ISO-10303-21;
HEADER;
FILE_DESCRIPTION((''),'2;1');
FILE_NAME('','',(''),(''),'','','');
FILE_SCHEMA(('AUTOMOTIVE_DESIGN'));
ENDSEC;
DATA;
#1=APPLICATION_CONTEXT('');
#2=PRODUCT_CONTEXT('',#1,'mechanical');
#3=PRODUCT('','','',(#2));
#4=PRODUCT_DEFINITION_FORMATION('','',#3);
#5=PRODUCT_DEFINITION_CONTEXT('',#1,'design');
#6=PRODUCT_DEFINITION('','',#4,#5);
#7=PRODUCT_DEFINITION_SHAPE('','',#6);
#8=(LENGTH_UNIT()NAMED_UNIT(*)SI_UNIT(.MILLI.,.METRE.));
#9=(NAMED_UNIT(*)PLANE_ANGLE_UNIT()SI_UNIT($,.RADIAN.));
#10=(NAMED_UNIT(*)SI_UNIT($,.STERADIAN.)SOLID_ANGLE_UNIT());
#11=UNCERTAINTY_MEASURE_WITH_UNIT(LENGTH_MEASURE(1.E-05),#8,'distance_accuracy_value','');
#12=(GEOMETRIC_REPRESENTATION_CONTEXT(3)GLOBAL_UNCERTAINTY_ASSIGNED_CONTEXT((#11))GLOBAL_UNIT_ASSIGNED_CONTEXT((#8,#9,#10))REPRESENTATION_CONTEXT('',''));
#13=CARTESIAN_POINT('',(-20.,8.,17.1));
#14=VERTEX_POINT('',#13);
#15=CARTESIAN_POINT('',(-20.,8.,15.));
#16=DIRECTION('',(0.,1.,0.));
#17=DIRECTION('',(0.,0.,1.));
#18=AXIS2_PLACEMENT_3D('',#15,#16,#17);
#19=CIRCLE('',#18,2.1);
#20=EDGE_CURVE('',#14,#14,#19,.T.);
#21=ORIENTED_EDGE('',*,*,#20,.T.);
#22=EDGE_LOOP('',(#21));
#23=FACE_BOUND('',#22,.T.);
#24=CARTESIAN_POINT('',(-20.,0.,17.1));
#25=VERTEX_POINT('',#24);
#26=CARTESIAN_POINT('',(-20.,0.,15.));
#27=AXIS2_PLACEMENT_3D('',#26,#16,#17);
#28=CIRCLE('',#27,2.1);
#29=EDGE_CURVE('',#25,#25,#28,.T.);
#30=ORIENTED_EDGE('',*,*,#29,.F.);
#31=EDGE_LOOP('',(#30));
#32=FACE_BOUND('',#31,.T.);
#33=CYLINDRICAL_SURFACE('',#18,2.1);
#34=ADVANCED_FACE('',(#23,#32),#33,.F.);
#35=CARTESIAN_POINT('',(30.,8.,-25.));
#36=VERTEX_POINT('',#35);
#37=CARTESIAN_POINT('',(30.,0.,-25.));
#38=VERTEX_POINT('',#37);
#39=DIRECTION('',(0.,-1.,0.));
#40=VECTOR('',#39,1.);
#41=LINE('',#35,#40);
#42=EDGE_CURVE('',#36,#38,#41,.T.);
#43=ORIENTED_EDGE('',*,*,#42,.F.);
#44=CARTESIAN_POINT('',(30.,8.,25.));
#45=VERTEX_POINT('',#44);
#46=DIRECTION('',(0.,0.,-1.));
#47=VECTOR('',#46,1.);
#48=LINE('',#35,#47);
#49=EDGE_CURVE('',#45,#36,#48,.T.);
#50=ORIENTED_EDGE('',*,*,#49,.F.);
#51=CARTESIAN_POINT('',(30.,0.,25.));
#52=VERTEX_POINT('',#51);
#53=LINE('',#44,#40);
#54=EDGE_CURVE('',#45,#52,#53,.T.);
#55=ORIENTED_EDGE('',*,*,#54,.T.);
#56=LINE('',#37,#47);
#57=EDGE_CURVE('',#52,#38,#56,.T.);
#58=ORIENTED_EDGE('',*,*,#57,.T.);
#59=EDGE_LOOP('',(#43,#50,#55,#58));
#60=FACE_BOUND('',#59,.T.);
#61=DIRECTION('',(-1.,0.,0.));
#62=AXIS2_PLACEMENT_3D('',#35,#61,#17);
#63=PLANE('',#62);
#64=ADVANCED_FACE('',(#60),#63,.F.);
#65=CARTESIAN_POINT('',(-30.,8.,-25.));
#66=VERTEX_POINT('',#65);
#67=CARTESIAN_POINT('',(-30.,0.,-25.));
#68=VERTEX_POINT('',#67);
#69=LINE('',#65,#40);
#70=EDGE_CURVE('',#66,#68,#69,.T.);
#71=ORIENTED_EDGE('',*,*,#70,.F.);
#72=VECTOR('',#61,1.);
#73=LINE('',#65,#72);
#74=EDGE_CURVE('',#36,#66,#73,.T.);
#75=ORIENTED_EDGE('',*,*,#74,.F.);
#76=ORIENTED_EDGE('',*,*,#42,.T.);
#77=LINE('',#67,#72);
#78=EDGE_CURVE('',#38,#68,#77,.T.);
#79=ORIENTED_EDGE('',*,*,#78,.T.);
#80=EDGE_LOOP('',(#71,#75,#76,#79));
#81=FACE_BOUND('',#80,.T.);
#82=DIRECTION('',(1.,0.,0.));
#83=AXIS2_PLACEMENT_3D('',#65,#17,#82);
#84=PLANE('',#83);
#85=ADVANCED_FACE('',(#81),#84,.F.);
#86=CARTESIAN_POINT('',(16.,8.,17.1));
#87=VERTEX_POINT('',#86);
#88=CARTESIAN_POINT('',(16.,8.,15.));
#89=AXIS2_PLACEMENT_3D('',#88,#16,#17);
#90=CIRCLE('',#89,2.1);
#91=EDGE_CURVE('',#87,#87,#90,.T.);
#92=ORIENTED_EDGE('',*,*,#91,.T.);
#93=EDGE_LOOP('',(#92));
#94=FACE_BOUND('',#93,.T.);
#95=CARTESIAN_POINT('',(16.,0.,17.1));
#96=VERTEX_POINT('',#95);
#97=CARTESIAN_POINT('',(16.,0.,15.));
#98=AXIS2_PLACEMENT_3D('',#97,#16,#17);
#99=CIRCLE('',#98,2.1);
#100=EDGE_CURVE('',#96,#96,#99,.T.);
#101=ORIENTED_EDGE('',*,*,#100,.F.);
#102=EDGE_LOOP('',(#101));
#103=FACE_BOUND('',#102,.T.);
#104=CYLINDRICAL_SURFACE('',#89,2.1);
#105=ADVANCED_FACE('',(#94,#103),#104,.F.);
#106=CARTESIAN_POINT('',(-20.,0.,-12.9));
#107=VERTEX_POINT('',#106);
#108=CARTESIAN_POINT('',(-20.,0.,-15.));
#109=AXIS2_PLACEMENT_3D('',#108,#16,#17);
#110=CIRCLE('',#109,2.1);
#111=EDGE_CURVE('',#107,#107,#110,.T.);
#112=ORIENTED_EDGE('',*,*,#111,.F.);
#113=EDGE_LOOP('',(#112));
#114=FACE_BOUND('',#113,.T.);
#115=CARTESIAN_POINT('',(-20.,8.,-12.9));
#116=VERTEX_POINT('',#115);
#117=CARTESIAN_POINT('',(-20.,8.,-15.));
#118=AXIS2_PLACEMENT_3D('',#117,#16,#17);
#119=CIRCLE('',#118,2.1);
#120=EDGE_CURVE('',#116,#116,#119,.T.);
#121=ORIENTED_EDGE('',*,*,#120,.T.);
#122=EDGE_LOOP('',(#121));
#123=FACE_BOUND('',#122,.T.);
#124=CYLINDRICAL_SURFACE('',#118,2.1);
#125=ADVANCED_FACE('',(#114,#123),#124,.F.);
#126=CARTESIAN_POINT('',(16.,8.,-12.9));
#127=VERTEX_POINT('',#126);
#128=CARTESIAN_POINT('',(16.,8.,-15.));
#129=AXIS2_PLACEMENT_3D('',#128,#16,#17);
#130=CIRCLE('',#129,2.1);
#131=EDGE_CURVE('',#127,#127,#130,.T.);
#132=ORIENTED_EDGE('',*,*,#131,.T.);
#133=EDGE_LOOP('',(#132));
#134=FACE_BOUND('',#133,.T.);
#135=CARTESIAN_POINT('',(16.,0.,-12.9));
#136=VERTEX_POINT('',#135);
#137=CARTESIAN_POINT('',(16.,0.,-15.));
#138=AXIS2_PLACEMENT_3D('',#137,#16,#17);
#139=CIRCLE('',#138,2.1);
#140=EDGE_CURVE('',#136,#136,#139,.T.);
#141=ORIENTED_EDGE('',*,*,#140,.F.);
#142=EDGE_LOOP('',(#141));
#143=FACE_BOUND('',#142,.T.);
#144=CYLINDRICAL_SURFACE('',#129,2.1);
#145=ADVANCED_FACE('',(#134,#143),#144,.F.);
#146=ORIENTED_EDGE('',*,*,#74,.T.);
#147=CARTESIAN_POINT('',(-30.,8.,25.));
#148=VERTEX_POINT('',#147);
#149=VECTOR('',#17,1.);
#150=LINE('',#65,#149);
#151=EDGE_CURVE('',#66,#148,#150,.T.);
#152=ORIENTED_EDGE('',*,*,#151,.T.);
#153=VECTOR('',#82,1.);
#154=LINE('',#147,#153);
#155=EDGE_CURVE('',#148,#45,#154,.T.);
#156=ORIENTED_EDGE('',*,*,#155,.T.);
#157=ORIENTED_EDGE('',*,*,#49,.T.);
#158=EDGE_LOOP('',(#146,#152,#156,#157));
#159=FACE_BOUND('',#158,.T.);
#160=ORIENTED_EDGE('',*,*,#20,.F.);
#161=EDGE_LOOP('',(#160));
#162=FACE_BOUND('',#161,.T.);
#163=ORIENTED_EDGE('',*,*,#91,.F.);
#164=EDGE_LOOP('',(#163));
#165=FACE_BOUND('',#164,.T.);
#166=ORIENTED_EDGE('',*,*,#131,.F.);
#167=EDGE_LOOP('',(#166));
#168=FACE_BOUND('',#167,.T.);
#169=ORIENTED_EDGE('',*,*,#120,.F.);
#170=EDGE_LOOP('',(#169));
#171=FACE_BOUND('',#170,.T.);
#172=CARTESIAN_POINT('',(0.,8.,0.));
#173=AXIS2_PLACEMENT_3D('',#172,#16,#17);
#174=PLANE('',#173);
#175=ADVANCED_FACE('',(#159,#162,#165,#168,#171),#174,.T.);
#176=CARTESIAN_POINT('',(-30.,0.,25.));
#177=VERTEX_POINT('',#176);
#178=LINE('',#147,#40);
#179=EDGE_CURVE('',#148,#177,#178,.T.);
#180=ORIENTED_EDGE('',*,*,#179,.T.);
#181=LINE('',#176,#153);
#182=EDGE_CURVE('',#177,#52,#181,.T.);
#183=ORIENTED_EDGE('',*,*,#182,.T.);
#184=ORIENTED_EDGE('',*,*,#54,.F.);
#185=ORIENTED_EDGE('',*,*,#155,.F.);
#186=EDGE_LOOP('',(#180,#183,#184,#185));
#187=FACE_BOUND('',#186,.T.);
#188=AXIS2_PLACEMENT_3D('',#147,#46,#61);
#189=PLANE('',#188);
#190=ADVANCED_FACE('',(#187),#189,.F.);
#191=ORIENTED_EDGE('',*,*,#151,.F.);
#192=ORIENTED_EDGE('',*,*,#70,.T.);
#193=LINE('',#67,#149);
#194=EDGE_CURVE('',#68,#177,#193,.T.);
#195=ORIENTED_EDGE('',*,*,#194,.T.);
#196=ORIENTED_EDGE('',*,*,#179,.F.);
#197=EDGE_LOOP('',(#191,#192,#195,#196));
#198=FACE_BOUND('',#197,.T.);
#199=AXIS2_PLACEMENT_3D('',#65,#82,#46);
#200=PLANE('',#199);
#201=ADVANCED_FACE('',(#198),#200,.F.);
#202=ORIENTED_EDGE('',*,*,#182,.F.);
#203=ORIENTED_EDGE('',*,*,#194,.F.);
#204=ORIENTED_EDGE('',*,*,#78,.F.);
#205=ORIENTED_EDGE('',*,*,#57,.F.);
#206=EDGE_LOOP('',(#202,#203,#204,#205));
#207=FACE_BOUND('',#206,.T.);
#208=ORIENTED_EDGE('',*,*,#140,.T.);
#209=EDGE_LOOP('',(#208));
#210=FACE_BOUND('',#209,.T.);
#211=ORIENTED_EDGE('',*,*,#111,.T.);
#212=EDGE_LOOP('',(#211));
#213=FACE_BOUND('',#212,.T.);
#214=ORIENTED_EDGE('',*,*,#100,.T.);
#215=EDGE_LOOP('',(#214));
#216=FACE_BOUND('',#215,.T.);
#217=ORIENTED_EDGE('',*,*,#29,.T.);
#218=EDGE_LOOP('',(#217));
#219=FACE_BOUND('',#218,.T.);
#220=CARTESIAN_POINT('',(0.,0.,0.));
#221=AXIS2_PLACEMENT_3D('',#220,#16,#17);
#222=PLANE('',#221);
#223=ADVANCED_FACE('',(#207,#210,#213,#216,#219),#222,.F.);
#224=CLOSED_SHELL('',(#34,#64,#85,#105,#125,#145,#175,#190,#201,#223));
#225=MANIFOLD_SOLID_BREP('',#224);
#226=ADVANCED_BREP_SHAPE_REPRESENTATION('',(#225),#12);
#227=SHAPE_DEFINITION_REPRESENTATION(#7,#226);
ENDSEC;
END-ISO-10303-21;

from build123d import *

# Parameters (mm, degrees)
SKETCH1_W           = 60
SKETCH1_H           = 50
BOSS_EXTRUDE1_DEPTH = 8
M5_TAPPED_HOLE1_D   = 4.2


with BuildPart() as part:
    # Sketch1 → Boss-Extrude1 (new body)
    with BuildSketch(Plane(origin=(0, 0, 0), x_dir=(1, 0, 0), z_dir=(0, 1, 0))):
        Rectangle(SKETCH1_W, SKETCH1_H)
    extrude(amount=BOSS_EXTRUDE1_DEPTH)

    # M5 Tapped Hole1 (through all)
    with Locations(Plane(origin=(0, 8, 0), x_dir=(1, 0, 0), z_dir=(0, 1, 0))):
        with Locations((-20, -15), (16, -15), (16, 15), (-20, 15)):
            Hole(M5_TAPPED_HOLE1_D / 2)


solid = part.part
